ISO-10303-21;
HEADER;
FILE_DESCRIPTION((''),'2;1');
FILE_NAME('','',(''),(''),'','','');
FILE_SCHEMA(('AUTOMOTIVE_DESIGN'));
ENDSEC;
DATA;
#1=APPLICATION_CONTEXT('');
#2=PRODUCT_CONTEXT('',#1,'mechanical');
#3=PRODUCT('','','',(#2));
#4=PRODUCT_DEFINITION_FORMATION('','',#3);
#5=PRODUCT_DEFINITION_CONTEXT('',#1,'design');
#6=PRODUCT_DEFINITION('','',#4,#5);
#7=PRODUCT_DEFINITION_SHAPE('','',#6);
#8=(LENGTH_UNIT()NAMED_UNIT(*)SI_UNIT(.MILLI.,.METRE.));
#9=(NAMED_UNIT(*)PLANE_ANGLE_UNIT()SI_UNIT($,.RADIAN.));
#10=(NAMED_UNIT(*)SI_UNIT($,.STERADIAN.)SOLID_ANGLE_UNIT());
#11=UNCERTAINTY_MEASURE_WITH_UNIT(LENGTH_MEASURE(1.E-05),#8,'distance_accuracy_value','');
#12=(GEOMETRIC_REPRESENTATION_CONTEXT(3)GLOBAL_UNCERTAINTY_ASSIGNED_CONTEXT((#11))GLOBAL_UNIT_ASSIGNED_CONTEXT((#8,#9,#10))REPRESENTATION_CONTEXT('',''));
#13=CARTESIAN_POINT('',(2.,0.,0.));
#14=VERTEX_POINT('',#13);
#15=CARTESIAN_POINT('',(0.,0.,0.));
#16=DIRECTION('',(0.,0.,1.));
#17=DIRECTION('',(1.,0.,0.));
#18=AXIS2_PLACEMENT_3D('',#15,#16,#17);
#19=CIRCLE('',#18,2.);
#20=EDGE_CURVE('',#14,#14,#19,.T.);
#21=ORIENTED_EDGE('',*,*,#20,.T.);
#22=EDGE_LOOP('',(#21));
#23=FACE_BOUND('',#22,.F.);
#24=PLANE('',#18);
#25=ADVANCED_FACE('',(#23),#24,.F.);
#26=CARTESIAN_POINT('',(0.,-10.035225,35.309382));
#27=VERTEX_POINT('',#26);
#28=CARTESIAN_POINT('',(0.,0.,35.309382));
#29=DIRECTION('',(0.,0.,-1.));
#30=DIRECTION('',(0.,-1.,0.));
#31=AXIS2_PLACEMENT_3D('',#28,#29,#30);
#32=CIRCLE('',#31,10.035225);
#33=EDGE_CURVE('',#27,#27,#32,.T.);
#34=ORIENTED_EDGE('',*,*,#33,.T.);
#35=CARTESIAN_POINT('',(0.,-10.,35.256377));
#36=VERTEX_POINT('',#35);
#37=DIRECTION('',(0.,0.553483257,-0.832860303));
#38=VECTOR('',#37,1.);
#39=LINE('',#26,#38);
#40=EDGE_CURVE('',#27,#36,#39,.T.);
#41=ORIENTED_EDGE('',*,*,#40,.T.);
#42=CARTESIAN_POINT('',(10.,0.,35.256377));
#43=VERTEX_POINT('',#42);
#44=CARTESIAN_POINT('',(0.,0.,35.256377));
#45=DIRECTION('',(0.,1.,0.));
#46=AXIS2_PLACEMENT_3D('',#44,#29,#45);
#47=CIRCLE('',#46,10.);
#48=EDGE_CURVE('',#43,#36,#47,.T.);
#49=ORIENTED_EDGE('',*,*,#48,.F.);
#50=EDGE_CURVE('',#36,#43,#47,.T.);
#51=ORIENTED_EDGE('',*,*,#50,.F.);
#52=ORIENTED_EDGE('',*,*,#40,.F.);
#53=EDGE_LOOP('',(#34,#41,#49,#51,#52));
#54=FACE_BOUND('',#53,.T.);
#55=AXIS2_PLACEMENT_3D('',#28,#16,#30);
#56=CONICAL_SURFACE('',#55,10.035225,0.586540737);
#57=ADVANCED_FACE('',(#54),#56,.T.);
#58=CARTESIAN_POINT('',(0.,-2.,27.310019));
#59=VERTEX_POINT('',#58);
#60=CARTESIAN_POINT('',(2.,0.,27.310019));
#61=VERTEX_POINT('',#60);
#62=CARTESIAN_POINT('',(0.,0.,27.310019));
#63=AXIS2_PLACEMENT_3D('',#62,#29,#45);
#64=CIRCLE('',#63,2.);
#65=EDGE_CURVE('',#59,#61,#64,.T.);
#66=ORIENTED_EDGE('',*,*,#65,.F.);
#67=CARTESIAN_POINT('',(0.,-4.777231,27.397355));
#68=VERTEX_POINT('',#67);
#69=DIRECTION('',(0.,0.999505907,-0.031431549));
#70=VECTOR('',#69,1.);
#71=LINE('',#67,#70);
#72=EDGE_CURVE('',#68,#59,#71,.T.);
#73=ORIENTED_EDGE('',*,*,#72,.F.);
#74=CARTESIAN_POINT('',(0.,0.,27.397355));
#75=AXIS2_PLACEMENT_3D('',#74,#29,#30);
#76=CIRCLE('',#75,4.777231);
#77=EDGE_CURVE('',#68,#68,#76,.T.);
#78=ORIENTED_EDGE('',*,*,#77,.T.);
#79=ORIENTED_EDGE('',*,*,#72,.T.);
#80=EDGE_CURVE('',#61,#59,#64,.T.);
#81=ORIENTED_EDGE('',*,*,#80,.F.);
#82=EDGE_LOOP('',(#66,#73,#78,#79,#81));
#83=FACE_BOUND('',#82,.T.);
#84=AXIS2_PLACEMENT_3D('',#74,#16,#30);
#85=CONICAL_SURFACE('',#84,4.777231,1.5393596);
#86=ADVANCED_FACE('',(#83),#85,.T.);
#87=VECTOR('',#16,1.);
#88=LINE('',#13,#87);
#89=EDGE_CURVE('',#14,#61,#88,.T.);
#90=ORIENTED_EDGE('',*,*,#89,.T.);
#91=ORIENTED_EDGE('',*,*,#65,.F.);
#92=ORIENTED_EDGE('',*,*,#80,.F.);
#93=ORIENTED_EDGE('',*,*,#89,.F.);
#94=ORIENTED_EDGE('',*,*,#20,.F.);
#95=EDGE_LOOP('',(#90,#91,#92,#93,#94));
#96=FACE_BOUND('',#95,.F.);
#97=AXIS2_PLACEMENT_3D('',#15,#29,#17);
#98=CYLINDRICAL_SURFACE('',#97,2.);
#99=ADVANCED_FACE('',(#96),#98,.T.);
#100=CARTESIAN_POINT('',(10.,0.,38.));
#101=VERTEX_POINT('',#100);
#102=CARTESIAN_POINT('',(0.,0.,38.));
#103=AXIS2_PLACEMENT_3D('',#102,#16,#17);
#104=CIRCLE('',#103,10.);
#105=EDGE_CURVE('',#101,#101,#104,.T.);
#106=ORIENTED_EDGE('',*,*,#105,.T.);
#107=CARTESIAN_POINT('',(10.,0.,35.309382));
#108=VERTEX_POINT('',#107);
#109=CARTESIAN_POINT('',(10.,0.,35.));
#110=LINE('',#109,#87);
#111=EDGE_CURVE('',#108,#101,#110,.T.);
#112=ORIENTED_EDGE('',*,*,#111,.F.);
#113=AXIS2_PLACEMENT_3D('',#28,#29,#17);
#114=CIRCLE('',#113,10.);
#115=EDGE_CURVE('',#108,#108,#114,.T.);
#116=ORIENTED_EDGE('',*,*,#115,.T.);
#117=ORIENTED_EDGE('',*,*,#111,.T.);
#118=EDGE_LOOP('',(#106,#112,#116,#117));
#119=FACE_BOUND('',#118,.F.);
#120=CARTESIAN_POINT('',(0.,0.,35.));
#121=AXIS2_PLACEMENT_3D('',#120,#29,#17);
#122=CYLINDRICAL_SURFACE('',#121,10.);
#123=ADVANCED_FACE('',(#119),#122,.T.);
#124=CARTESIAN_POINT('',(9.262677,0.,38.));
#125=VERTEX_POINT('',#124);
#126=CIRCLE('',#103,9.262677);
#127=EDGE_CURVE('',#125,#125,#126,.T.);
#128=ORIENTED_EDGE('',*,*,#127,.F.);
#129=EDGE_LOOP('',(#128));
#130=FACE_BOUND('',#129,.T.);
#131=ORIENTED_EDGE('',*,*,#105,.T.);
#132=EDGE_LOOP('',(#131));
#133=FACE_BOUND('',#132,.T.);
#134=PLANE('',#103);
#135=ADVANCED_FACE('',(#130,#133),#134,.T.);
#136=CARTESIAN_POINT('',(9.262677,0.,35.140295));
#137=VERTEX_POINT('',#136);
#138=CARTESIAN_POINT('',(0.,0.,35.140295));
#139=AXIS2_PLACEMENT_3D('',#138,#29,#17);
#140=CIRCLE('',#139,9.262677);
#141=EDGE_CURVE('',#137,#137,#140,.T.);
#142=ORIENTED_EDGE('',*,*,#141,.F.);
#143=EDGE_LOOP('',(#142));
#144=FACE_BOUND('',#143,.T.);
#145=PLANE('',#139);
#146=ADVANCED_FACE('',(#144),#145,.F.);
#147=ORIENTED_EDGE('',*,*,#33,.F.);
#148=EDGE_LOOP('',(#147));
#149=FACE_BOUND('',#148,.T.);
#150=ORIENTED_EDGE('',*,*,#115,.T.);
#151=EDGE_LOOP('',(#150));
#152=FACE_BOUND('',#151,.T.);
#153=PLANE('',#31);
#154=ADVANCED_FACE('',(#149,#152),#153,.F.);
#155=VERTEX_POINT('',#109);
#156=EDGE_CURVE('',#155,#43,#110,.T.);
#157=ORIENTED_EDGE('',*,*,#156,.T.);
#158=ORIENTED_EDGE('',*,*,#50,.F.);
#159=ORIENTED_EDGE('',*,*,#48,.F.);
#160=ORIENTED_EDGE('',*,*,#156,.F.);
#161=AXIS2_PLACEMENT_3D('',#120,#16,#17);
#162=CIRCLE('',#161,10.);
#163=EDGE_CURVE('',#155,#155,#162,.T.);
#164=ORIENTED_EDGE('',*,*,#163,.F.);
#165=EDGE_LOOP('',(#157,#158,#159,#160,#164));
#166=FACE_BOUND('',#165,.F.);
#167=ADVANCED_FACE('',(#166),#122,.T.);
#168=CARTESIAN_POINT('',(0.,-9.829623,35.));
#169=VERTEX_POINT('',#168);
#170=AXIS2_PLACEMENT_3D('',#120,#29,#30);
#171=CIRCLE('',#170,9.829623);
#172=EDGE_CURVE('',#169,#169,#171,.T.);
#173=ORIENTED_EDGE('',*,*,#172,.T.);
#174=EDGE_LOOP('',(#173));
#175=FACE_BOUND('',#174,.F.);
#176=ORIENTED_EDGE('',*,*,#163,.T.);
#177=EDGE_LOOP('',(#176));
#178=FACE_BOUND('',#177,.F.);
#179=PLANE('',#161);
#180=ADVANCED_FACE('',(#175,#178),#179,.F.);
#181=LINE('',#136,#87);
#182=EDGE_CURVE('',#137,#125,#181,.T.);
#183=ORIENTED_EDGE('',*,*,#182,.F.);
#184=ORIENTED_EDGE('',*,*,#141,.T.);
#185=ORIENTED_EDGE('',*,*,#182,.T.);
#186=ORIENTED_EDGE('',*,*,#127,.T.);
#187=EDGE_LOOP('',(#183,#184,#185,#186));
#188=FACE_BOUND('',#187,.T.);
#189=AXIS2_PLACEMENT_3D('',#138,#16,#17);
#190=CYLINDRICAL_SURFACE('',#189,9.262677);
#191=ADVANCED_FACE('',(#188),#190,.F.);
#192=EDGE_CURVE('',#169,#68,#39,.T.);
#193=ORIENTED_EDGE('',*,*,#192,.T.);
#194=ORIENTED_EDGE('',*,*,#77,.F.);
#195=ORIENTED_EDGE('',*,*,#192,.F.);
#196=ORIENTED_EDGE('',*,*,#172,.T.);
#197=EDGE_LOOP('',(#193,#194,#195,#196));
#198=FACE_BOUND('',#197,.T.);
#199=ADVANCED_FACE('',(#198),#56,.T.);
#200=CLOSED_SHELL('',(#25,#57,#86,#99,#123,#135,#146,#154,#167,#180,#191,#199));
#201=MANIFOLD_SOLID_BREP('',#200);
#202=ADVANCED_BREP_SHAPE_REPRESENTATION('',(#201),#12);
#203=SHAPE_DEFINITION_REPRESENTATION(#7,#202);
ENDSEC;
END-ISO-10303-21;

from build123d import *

# Parameters (mm, degrees)
F0_R     = 2
F1_DEPTH = 35
F2_R     = 10
F3_DEPTH = 3


with BuildPart() as f1:
    # F0 (on Top) → F1 (new body)
    with BuildSketch(Plane.XY):
        Circle(F0_R)
    extrude(amount=F1_DEPTH)

    # F2 (on face) → F3 (join)
    with BuildSketch(Plane.XY.offset(35)):
        Circle(F2_R)
    extrude(amount=F3_DEPTH)

    # F5 (on Right) → F6 (revolve)
    with BuildSketch(Plane.YZ):
        Polygon((0, 31.303294), (0, 35.309382), (-10.035225, 35.309382), (-4.777231, 27.397355), (0, 27.247125), align=None)
    revolve(axis=Axis((0, 0, 31.278254), (0, 0, -1)))

    # F7 (on Front) → F8 (revolve, cut)
    with BuildSketch(Plane.XZ):
        Polygon((9.262677, 40.559426), (0, 38.892001), (0, 35.140295), (9.262677, 35.140295), align=None)
    revolve(axis=Axis((0, 0, 37.016148), (0, 0, -1)), mode=Mode.SUBTRACT)


solid = f1.part
